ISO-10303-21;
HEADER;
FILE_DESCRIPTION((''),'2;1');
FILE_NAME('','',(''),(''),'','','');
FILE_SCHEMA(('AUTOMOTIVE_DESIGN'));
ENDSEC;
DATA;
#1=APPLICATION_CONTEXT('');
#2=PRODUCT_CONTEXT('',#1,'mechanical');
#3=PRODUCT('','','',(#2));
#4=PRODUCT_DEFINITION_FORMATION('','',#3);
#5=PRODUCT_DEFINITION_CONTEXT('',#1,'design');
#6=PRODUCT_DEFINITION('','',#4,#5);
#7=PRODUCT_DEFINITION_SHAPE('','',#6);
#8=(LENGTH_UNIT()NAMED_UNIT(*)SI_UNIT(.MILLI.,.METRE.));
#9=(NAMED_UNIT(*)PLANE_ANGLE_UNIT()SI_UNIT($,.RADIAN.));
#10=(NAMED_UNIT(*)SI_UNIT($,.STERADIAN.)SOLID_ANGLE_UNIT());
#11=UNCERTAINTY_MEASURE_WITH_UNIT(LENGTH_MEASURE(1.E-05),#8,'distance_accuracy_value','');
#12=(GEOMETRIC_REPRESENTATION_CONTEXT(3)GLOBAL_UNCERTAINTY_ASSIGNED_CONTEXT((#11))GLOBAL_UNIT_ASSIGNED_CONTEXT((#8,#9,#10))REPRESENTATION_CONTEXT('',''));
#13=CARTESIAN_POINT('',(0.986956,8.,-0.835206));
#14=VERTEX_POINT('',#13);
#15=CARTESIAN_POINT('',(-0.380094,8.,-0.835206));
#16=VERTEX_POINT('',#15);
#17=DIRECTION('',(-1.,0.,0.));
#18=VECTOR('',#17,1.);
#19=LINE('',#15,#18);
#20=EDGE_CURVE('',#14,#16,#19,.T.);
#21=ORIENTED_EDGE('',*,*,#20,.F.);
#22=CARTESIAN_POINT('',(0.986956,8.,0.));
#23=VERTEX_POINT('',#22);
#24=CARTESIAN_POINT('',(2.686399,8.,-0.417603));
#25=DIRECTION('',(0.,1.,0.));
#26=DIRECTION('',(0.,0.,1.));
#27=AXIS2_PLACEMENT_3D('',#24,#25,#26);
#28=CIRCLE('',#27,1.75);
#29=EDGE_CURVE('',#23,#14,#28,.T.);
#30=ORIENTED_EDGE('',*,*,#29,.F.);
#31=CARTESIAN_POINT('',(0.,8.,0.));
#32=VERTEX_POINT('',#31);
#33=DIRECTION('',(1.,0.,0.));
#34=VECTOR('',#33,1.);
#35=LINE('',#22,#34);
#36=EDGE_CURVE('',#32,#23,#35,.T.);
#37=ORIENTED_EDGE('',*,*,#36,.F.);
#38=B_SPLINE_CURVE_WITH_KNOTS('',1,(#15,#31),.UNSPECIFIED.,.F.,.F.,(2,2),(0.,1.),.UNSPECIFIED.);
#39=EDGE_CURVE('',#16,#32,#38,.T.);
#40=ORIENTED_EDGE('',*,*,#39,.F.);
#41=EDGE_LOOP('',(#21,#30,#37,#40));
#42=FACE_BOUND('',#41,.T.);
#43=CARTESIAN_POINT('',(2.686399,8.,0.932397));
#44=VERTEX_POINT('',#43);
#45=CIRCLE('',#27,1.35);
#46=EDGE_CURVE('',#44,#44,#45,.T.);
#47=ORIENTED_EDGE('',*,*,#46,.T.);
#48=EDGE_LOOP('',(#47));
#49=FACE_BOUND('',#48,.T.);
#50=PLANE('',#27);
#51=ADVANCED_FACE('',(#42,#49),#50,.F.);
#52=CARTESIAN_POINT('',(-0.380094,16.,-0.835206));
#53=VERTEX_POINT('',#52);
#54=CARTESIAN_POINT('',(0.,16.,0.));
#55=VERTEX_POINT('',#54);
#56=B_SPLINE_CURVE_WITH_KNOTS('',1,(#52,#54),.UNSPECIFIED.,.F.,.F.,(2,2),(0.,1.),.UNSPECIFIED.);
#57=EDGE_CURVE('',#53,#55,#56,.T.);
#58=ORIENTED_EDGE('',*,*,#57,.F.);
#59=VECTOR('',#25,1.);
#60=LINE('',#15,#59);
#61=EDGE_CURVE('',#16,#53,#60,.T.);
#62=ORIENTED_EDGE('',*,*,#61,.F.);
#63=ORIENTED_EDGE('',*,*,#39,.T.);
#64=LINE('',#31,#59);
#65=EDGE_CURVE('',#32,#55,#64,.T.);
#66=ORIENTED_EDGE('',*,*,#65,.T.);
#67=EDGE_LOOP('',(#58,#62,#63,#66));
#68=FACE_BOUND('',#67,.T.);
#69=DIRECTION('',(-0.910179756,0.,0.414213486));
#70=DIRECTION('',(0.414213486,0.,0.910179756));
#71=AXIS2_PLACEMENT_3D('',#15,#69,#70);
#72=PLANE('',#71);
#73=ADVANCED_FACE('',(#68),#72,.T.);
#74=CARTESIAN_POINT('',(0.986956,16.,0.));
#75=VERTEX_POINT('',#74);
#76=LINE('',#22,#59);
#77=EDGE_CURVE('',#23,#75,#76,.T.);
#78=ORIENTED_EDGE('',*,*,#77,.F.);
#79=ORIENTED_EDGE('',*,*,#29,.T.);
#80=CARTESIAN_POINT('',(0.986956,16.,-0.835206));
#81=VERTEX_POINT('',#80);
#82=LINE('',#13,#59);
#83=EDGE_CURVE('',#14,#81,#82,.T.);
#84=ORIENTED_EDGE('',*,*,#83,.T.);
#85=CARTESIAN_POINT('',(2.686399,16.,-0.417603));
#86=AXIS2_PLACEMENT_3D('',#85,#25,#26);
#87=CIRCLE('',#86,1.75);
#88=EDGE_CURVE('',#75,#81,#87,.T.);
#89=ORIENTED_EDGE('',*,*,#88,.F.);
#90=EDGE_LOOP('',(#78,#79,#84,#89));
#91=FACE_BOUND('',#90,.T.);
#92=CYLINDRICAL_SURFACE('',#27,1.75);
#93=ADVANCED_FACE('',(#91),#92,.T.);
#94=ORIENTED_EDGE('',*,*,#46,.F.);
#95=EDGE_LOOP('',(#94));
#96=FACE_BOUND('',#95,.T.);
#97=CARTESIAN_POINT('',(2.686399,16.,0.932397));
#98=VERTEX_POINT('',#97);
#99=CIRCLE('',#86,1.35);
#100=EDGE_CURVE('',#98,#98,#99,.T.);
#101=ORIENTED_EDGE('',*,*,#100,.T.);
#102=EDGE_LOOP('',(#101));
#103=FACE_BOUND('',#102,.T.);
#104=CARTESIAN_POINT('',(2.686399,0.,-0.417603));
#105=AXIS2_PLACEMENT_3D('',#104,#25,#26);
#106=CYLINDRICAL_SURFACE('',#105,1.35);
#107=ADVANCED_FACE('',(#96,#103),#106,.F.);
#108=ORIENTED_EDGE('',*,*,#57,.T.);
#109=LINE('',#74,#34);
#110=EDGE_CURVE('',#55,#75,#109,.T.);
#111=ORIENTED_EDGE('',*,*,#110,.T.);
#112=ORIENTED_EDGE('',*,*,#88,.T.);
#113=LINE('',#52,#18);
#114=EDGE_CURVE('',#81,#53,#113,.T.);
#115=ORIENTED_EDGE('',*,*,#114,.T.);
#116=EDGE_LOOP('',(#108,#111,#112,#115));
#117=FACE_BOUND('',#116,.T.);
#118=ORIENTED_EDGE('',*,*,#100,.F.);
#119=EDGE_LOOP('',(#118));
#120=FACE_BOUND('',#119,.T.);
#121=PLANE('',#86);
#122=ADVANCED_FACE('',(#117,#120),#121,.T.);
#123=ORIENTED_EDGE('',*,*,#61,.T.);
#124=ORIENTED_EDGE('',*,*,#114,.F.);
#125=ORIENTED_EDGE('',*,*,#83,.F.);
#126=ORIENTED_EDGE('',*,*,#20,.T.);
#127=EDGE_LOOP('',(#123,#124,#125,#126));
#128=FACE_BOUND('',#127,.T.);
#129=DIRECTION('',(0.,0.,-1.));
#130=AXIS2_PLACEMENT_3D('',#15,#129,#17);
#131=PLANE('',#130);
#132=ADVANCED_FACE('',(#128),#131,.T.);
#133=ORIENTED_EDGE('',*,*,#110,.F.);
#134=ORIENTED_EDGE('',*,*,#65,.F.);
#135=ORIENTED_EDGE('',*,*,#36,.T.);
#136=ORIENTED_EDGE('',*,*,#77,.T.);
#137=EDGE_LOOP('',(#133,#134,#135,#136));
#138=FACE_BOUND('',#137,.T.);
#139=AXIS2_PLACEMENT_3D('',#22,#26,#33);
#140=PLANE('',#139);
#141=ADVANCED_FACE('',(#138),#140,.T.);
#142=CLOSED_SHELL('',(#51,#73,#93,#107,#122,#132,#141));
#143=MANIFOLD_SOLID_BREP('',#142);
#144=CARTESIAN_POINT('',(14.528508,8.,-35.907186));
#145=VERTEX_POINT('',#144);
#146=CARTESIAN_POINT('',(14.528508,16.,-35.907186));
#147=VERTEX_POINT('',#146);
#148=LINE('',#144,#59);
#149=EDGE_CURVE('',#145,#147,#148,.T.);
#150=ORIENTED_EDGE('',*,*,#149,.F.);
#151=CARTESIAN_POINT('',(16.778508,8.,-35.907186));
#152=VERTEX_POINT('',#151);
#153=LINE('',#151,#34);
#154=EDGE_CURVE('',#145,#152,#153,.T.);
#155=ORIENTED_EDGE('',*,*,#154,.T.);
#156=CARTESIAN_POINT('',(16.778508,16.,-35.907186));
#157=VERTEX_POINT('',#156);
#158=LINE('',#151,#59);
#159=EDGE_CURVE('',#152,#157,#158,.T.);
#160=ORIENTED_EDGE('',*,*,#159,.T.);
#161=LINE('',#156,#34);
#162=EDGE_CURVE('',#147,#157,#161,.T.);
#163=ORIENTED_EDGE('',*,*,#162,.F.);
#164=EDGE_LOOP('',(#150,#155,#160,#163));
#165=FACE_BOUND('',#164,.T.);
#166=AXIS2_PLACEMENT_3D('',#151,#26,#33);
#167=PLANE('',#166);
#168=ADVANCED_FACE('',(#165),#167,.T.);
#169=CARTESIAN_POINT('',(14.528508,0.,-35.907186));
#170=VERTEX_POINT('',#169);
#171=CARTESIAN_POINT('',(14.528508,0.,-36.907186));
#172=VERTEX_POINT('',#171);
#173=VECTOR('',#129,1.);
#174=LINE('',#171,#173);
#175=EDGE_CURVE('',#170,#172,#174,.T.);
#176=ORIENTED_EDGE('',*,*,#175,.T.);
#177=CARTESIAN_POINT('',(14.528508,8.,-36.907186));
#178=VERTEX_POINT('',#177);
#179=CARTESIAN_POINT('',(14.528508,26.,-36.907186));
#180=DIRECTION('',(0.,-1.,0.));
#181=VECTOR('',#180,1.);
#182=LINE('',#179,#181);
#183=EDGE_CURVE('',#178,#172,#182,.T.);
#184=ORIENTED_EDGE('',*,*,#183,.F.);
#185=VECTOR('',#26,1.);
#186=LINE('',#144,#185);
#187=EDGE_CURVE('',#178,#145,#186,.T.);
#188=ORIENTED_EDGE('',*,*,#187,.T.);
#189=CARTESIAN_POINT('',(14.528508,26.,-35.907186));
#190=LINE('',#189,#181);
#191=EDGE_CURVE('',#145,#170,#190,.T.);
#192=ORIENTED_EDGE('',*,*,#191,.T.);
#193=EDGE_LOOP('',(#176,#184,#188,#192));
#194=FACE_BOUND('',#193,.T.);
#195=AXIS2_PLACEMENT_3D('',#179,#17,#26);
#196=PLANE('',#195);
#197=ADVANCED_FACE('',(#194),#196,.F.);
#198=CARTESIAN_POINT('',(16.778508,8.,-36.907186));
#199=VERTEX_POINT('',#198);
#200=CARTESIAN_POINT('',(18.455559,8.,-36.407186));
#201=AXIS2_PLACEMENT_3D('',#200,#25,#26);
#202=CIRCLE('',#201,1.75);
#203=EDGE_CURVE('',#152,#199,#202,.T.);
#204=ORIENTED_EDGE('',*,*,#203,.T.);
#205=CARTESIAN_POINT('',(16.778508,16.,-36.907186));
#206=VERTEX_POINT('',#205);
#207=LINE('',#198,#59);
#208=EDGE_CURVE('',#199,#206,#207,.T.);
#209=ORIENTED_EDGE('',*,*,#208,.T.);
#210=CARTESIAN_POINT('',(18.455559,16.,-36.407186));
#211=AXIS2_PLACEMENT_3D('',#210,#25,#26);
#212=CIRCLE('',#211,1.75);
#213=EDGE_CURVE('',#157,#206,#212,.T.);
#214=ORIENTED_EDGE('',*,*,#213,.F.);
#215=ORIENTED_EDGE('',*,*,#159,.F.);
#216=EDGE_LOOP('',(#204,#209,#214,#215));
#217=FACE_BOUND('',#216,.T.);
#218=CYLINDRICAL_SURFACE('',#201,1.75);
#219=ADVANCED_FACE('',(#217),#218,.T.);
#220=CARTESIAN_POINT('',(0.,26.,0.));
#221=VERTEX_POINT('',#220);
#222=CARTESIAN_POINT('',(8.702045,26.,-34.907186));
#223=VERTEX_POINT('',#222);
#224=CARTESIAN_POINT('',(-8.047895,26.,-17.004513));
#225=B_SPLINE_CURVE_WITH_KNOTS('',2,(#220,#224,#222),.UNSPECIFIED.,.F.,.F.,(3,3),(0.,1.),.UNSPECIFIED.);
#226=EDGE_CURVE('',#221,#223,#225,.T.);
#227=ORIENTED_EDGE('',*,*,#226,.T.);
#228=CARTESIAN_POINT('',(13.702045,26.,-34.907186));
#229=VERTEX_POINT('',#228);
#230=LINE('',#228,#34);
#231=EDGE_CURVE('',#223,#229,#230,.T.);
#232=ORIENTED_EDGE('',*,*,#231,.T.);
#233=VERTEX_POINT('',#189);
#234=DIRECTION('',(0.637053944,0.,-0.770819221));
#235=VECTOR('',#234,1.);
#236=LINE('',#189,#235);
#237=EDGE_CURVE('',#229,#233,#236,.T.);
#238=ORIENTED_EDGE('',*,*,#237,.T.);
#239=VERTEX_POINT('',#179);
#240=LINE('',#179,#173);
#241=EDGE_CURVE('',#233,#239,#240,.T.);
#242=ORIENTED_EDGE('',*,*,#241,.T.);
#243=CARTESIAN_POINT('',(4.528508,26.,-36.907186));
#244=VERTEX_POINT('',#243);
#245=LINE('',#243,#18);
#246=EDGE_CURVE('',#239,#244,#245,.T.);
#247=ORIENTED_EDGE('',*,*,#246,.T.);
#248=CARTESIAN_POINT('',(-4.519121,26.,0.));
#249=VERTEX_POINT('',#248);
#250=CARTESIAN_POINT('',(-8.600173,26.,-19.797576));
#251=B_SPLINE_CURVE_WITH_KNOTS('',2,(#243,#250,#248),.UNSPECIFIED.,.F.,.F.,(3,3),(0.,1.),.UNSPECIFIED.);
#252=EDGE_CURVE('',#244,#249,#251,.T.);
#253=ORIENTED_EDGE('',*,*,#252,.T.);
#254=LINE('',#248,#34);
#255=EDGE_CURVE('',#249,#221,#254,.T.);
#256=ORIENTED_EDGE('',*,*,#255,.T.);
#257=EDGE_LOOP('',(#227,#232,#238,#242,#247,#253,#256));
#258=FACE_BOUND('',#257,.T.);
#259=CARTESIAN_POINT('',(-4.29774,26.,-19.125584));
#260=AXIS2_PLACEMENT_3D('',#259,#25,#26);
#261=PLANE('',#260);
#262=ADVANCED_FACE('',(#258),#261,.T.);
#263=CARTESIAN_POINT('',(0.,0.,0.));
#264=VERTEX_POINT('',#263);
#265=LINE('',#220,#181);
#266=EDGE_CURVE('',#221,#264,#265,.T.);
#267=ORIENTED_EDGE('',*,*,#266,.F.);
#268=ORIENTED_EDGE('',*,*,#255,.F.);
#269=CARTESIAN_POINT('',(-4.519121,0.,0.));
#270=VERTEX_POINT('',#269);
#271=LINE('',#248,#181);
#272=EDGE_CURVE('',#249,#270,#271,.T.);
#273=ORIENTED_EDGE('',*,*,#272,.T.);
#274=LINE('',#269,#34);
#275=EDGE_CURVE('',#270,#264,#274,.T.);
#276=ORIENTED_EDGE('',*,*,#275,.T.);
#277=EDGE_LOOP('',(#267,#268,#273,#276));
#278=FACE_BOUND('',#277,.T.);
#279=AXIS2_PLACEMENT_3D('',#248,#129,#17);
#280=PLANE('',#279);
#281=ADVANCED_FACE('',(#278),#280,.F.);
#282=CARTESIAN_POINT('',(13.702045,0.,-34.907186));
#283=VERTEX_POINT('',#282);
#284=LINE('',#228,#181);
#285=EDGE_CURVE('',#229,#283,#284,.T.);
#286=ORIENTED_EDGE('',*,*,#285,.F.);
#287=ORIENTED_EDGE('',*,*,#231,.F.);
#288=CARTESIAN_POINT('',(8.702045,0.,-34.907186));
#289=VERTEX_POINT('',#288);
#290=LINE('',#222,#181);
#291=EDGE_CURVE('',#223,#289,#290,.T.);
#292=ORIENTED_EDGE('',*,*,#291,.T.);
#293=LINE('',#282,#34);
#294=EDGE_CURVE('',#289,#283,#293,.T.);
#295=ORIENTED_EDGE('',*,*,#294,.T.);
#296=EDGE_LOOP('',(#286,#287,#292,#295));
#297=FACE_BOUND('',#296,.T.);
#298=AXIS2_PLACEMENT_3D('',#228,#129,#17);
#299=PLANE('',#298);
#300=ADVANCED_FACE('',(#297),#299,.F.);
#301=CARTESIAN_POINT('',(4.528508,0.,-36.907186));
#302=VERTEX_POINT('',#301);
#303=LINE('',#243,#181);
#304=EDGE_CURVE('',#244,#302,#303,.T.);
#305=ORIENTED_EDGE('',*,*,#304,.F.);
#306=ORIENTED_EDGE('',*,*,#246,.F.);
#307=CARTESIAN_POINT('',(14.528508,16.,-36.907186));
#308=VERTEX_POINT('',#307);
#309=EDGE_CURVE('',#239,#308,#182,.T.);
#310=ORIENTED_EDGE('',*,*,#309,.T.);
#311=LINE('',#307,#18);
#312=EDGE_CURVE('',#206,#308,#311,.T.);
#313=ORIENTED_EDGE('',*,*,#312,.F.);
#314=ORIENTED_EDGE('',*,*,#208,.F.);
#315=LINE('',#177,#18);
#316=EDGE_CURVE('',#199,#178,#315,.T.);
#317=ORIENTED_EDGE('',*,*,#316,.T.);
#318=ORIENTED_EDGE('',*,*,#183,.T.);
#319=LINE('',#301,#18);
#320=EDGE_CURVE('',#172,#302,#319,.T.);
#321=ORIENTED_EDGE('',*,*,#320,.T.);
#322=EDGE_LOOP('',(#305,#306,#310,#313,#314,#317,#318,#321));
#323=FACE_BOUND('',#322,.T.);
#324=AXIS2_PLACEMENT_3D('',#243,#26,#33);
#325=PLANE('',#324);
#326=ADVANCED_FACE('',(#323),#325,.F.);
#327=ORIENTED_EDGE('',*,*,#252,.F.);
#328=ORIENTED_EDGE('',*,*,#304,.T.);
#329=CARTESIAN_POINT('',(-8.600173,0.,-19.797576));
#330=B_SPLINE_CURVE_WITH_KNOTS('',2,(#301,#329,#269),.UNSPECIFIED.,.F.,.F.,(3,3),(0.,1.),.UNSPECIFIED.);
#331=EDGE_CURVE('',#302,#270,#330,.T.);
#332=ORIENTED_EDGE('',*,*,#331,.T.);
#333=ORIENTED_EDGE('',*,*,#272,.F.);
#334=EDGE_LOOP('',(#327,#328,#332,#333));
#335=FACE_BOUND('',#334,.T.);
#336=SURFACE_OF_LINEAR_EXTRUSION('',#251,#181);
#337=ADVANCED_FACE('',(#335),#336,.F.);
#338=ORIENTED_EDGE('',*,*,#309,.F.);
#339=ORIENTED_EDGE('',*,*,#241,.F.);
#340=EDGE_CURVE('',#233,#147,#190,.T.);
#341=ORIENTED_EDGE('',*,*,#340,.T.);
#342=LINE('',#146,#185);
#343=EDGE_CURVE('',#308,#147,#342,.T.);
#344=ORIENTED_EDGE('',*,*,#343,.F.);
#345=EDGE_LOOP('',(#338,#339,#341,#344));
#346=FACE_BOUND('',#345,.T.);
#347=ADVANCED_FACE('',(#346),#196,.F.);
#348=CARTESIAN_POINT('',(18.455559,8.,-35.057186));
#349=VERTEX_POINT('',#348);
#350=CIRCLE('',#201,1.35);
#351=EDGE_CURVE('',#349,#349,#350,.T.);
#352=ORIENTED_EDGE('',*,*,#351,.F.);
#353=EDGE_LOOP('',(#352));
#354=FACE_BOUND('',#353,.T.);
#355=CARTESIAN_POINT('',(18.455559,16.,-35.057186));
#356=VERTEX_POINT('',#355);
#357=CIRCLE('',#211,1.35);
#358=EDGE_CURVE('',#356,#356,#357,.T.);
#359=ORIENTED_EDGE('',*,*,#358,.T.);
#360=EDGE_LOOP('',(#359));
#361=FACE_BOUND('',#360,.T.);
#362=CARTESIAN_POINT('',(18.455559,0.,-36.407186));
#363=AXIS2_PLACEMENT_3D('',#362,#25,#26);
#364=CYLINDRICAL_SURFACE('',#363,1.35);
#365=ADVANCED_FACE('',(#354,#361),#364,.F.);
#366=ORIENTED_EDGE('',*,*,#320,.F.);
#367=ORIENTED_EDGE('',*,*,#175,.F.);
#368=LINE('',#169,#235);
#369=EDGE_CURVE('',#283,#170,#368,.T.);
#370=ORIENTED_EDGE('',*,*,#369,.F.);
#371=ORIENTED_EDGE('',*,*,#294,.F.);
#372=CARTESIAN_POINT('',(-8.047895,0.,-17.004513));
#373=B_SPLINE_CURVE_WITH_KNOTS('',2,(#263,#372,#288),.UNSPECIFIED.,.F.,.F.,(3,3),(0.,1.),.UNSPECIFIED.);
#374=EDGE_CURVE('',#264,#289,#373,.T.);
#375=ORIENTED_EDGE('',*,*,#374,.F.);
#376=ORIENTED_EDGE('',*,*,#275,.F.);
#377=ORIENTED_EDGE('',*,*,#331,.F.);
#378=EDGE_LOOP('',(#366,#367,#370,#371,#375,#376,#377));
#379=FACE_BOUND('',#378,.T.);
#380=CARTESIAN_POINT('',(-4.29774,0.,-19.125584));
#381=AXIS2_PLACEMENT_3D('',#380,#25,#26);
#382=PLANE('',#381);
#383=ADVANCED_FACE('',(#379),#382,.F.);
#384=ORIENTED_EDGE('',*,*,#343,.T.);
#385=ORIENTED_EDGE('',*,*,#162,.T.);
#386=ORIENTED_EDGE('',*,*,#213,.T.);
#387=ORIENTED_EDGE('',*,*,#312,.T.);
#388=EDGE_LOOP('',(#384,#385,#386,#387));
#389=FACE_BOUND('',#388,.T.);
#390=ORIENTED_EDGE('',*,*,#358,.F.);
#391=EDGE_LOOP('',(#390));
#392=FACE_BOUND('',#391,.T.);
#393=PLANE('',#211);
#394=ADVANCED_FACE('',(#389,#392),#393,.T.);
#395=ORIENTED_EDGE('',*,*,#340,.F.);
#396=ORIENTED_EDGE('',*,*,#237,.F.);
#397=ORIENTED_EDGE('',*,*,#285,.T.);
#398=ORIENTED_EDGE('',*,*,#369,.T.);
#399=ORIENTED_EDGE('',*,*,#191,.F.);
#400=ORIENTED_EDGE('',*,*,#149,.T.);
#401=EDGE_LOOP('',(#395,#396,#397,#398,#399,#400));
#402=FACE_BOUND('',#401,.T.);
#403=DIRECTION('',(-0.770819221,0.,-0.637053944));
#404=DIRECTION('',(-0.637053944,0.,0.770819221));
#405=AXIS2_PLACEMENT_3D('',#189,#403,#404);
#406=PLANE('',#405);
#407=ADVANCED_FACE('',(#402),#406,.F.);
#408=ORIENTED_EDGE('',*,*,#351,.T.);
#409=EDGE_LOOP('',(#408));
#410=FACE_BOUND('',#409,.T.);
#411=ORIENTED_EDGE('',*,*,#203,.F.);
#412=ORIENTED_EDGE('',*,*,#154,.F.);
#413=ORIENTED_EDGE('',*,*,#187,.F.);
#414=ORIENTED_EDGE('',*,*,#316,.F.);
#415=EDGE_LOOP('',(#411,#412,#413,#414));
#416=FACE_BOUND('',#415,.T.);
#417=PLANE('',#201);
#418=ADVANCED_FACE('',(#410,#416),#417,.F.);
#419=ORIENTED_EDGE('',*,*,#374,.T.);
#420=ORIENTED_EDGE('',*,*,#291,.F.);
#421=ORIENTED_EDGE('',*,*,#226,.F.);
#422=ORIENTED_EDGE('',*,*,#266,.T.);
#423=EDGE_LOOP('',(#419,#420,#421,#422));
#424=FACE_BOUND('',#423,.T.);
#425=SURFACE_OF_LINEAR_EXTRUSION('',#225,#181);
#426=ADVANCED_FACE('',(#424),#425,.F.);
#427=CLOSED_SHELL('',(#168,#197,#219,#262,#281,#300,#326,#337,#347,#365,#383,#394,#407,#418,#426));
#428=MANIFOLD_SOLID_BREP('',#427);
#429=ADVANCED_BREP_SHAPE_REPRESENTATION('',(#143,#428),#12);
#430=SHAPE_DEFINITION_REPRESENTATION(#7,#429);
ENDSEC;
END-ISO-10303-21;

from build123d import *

# Parameters (mm, degrees)
BOSS_EXTRUDE1_DEPTH = 26
BOSS_EXTRUDE2_START = -10
BOSS_EXTRUDE2_DEPTH = 8
SKETCH3_R           = 1.35
CUT_EXTRUDE1_DEPTH  = 47.046014969
BOSS_EXTRUDE3_START = -10
BOSS_EXTRUDE3_DEPTH = 8
SKETCH5_R           = 1.35
CUT_EXTRUDE2_DEPTH  = 47.046014969


with BuildPart() as part:
    # Sketch1 → Boss-Extrude1 (new body)
    with BuildSketch(Plane(origin=(0, 0, 0), x_dir=(1, 0, 0), z_dir=(0, 1, 0))):
        with BuildLine():
            Line((4.528508304, 36.907186285), (14.528508304, 36.907186285))
            Line((14.528508304, 36.907186285), (14.528508304, 35.907186285))
            Line((14.528508304, 35.907186285), (13.702044813, 34.907186285))
            Line((13.702044813, 34.907186285), (8.702044813, 34.907186285))
            add(Edge.make_bspline(
                [(8.702044813, 34.907186285), (-8.047895334, 17.004513085), (0, 0)],
                knots=[0, 0, 0, 1, 1, 1], degree=2))
            Line((0, 0), (-4.519121247, 0))
            add(Edge.make_bspline(
                [(-4.519121247, 0), (-8.600172805, 19.797575634), (4.528508304, 36.907186285)],
                knots=[0, 0, 0, 1, 1, 1], degree=2))
        make_face()
    extrude(amount=BOSS_EXTRUDE1_DEPTH)

    # Sketch2 → Boss-Extrude2 (add)
    with BuildSketch(Plane(origin=(0, 26, 0), x_dir=(1, 0, 0), z_dir=(0, 1, 0)).offset(BOSS_EXTRUDE2_START)):
        with BuildLine():
            Line((14.528508304, 36.907186285), (16.778508304, 36.907186285))
            ThreePointArc((16.778508304, 36.907186285), (20.205559287, 36.407186285), (16.778508304, 35.907186285))
            Line((16.778508304, 35.907186285), (14.528508304, 35.907186285))
            Line((14.528508304, 35.907186285), (14.528508304, 36.907186285))
        make_face()
    extrude(amount=-BOSS_EXTRUDE2_DEPTH)

    # Sketch3 → Cut-Extrude1 (cut, through all)
    with BuildSketch(Plane(origin=(0, 16, 0), x_dir=(1, 0, 0), z_dir=(0, 1, 0))):
        with Locations(Location((18.455559287, 36.407186285, 0), (0, 0, 270))):
            Circle(SKETCH3_R)
    extrude(amount=-CUT_EXTRUDE1_DEPTH, mode=Mode.SUBTRACT)


with BuildPart() as body_2:
    # Sketch4 → Boss-Extrude3 (new body)
    with BuildSketch(Plane(origin=(0, 26, 0), x_dir=(1, 0, 0), z_dir=(0, 1, 0)).offset(BOSS_EXTRUDE3_START)):
        with BuildLine():
            Line((-0.380093585, 0.835205754), (0.986955671, 0.835205754))
            ThreePointArc((0.986955671, 0.835205754), (4.436399061, 0.417602877), (0.986955671, 0))
            Line((0.986955671, 0), (0, 0))
            Line((0, 0), (-0.380093585, 0.835205754))
        make_face()
    extrude(amount=-BOSS_EXTRUDE3_DEPTH)

    # Sketch5 → Cut-Extrude2 (cut, through all)
    with BuildSketch(Plane(origin=(0, 16, 0), x_dir=(1, 0, 0), z_dir=(0, 1, 0))):
        with Locations(Location((2.686399061, 0.417602877, 0), (0, 0, 270))):
            Circle(SKETCH5_R)
    extrude(amount=-CUT_EXTRUDE2_DEPTH, mode=Mode.SUBTRACT)


solid = Compound([part.part, body_2.part])
